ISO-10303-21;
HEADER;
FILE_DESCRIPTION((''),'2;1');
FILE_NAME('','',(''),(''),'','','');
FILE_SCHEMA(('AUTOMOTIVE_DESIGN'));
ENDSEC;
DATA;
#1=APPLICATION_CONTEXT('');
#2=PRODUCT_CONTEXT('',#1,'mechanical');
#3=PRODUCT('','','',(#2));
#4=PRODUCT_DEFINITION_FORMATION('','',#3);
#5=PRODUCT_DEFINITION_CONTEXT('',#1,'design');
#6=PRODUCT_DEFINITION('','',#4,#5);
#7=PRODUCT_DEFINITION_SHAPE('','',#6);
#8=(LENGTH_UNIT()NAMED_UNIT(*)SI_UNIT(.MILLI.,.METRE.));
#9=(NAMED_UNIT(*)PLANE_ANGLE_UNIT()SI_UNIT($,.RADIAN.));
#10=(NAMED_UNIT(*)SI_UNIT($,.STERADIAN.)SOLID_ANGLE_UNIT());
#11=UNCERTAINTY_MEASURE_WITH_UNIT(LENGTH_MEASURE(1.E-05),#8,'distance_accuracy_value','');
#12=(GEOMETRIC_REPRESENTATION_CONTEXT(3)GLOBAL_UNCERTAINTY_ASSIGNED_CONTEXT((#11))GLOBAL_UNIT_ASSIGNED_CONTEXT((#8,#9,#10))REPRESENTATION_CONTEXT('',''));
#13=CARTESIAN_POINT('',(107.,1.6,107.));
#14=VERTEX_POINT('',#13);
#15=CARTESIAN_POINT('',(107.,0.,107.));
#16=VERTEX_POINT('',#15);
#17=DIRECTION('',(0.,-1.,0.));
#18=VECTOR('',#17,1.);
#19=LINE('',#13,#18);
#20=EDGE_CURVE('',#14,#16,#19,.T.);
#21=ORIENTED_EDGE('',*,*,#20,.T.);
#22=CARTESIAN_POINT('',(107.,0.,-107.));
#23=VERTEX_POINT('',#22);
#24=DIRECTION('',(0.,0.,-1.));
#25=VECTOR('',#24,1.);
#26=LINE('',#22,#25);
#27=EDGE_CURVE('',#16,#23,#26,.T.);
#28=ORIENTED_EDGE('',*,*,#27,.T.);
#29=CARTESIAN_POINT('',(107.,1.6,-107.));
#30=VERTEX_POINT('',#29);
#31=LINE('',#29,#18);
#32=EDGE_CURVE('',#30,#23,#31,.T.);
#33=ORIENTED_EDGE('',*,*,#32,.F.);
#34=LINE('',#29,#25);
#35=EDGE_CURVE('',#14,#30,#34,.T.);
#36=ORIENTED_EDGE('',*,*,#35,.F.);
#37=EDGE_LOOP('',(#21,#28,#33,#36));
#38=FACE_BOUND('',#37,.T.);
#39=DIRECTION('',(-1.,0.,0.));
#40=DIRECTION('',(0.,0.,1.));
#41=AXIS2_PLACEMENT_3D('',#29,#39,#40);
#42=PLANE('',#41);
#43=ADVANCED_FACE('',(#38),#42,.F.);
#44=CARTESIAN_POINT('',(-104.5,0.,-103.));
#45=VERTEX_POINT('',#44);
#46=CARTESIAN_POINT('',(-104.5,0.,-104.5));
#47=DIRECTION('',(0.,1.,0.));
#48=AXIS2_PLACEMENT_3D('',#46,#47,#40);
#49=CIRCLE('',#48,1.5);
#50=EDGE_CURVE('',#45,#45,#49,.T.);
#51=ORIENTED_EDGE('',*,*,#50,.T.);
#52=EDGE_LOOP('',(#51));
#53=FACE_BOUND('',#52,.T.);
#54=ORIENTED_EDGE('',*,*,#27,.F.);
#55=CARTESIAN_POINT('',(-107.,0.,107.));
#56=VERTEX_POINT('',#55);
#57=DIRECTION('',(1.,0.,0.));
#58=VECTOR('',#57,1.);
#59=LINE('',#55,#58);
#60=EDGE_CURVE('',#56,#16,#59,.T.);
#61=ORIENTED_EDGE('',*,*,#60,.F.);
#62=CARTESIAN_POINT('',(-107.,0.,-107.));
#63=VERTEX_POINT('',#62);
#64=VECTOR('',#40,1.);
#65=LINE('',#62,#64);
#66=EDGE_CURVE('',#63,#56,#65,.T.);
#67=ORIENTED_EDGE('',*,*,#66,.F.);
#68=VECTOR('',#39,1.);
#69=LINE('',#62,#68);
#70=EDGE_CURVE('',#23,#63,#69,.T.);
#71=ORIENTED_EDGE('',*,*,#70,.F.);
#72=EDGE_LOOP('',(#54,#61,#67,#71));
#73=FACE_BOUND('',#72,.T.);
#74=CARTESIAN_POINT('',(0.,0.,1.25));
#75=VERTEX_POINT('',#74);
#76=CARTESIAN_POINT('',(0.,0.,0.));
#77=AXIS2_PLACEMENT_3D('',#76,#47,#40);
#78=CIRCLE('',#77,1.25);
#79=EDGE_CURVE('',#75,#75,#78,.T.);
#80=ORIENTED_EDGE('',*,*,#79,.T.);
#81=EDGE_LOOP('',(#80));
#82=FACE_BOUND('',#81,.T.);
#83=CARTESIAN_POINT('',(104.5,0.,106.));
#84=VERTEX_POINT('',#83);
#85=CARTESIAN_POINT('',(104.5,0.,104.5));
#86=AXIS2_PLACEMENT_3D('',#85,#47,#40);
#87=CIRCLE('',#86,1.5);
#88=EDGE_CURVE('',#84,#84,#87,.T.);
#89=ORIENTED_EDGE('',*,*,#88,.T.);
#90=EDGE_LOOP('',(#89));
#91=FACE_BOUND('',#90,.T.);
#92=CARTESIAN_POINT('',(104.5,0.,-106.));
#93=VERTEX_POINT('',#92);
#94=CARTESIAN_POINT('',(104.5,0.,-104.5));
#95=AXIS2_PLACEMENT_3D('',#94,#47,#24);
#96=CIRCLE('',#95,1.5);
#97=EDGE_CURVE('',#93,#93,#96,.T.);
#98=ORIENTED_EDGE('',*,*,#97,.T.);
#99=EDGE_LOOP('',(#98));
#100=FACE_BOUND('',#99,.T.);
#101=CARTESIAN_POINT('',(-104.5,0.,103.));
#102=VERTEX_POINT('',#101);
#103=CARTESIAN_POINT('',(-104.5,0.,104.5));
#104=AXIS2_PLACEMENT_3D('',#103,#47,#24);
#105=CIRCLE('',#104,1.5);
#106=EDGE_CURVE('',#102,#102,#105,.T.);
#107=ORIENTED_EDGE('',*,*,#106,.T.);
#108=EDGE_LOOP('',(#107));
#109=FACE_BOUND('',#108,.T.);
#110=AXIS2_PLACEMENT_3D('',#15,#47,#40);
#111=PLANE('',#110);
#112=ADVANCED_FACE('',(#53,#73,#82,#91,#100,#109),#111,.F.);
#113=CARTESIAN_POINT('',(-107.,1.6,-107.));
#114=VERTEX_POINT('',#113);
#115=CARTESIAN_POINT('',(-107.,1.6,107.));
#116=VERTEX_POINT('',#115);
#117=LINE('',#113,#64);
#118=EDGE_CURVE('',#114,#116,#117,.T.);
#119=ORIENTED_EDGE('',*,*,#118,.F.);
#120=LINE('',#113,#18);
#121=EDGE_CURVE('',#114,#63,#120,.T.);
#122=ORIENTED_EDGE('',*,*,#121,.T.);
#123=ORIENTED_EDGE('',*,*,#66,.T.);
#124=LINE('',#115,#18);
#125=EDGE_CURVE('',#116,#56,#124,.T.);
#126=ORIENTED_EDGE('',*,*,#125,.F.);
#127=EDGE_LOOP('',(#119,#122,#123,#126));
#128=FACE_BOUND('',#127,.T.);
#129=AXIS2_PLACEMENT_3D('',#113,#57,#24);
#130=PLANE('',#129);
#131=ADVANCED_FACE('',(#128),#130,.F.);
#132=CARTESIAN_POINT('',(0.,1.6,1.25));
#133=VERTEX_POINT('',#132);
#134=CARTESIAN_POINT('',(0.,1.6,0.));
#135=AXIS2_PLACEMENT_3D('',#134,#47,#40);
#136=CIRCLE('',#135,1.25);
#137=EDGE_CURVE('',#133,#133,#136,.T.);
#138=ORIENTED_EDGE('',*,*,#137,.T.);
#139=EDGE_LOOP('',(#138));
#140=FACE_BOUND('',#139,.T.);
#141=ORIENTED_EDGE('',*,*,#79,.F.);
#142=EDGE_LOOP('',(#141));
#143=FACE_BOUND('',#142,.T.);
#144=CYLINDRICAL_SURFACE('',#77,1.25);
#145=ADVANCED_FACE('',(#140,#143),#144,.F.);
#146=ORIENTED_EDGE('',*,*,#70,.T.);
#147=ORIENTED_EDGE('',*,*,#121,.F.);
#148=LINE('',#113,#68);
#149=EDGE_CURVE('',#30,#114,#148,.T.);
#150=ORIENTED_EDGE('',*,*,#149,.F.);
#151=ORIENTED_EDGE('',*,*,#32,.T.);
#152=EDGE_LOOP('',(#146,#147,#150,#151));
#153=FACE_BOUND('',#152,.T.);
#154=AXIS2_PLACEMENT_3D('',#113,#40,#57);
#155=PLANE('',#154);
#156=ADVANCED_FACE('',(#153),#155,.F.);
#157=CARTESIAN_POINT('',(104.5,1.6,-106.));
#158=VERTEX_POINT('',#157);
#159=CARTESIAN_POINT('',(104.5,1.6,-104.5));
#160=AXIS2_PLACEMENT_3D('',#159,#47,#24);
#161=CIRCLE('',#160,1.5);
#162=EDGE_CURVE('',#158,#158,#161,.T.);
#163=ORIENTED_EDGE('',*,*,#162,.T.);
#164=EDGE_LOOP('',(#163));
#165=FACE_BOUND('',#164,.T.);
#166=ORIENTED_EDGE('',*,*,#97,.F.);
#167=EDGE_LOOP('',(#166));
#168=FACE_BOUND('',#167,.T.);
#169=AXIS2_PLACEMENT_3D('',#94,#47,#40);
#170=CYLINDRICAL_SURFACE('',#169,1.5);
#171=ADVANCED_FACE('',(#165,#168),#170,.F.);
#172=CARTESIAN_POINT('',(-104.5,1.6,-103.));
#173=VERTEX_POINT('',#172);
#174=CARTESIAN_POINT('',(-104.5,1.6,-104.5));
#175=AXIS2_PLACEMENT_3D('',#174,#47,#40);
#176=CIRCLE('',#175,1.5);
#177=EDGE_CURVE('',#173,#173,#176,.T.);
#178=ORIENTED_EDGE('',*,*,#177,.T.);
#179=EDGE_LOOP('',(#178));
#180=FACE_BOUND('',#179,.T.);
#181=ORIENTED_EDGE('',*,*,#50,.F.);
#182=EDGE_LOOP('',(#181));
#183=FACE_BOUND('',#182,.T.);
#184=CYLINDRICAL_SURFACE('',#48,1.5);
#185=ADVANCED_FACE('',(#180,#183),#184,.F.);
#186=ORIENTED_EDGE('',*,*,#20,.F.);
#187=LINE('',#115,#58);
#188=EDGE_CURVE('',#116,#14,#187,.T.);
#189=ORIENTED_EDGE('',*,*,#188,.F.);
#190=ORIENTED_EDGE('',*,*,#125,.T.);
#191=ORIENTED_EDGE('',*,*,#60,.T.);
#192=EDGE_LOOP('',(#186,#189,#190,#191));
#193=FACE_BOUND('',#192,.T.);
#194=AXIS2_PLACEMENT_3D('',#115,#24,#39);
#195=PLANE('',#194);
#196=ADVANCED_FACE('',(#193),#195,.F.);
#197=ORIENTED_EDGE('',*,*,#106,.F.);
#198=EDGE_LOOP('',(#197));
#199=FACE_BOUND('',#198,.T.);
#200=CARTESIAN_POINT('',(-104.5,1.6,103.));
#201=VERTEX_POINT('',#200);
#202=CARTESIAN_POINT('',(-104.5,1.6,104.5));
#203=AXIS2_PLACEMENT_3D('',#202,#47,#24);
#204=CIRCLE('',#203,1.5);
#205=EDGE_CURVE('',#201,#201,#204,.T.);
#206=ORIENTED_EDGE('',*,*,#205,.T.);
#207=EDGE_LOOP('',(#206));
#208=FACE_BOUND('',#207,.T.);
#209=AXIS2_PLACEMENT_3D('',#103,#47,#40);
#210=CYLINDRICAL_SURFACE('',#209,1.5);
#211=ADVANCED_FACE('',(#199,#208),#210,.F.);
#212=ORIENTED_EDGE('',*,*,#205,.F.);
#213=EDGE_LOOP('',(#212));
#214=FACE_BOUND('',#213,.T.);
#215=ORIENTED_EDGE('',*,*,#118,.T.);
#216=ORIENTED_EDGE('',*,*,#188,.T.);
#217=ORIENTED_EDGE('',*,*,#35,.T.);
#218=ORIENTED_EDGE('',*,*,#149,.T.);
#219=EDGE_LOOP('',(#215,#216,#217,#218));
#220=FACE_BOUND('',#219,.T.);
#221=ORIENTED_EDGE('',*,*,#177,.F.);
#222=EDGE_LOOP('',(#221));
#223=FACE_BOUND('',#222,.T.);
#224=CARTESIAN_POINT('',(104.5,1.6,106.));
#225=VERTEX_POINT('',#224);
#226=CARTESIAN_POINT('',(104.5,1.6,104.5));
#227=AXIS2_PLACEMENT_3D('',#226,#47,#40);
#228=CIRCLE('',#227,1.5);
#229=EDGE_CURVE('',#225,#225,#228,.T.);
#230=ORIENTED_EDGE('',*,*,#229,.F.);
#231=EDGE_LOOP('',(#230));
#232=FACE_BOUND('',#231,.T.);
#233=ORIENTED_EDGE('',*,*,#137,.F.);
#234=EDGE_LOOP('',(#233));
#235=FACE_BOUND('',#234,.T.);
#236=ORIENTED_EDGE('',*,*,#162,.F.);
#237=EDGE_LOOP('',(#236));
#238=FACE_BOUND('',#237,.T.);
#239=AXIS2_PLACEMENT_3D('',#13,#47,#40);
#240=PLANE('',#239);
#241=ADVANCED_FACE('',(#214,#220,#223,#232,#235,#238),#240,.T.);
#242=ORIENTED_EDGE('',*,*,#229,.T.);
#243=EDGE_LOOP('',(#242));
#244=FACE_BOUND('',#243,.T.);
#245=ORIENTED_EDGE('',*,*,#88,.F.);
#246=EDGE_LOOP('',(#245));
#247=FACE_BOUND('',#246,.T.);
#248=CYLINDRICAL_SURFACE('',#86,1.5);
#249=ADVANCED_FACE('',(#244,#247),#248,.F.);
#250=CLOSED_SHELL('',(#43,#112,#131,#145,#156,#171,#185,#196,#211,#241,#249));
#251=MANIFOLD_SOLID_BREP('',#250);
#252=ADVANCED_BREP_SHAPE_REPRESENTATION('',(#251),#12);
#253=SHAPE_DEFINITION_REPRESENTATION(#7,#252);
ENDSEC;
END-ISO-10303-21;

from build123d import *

# Parameters (mm, degrees)
SKETCH1_W           = 214
SKETCH1_H           = 214
BOSS_EXTRUDE1_DEPTH = 1.6
SKETCH2_R           = 1.5
SKETCH2_R_2         = 1.25
CUT_EXTRUDE1_DEPTH  = 152.329309785


with BuildPart() as part:
    # Sketch1 → Boss-Extrude1 (new body)
    with BuildSketch(Plane(origin=(0, 0, 0), x_dir=(1, 0, 0), z_dir=(0, 1, 0))):
        Rectangle(SKETCH1_W, SKETCH1_H)
    extrude(amount=BOSS_EXTRUDE1_DEPTH)

    # Sketch2 → Cut-Extrude1 (cut, through all)
    with BuildSketch(Plane(origin=(0, 1.6, 0), x_dir=(1, 0, 0), z_dir=(0, 1, 0))):
        with Locations(Location((-104.5, 104.5, 0), (0, 0, 270))):
            Circle(SKETCH2_R)
        with Locations(Location((104.5, 104.5, 0), (0, 0, 90))):
            Circle(SKETCH2_R)
        with Locations(Location((104.5, -104.5, 0), (0, 0, 270))):
            Circle(SKETCH2_R)
        with Locations(Location((-104.5, -104.5, 0), (0, 0, 90))):
            Circle(SKETCH2_R)
        with Locations(Location((0, 0, 0), (0, 0, 270))):
            Circle(SKETCH2_R_2)
    extrude(amount=-CUT_EXTRUDE1_DEPTH, mode=Mode.SUBTRACT)


solid = part.part
